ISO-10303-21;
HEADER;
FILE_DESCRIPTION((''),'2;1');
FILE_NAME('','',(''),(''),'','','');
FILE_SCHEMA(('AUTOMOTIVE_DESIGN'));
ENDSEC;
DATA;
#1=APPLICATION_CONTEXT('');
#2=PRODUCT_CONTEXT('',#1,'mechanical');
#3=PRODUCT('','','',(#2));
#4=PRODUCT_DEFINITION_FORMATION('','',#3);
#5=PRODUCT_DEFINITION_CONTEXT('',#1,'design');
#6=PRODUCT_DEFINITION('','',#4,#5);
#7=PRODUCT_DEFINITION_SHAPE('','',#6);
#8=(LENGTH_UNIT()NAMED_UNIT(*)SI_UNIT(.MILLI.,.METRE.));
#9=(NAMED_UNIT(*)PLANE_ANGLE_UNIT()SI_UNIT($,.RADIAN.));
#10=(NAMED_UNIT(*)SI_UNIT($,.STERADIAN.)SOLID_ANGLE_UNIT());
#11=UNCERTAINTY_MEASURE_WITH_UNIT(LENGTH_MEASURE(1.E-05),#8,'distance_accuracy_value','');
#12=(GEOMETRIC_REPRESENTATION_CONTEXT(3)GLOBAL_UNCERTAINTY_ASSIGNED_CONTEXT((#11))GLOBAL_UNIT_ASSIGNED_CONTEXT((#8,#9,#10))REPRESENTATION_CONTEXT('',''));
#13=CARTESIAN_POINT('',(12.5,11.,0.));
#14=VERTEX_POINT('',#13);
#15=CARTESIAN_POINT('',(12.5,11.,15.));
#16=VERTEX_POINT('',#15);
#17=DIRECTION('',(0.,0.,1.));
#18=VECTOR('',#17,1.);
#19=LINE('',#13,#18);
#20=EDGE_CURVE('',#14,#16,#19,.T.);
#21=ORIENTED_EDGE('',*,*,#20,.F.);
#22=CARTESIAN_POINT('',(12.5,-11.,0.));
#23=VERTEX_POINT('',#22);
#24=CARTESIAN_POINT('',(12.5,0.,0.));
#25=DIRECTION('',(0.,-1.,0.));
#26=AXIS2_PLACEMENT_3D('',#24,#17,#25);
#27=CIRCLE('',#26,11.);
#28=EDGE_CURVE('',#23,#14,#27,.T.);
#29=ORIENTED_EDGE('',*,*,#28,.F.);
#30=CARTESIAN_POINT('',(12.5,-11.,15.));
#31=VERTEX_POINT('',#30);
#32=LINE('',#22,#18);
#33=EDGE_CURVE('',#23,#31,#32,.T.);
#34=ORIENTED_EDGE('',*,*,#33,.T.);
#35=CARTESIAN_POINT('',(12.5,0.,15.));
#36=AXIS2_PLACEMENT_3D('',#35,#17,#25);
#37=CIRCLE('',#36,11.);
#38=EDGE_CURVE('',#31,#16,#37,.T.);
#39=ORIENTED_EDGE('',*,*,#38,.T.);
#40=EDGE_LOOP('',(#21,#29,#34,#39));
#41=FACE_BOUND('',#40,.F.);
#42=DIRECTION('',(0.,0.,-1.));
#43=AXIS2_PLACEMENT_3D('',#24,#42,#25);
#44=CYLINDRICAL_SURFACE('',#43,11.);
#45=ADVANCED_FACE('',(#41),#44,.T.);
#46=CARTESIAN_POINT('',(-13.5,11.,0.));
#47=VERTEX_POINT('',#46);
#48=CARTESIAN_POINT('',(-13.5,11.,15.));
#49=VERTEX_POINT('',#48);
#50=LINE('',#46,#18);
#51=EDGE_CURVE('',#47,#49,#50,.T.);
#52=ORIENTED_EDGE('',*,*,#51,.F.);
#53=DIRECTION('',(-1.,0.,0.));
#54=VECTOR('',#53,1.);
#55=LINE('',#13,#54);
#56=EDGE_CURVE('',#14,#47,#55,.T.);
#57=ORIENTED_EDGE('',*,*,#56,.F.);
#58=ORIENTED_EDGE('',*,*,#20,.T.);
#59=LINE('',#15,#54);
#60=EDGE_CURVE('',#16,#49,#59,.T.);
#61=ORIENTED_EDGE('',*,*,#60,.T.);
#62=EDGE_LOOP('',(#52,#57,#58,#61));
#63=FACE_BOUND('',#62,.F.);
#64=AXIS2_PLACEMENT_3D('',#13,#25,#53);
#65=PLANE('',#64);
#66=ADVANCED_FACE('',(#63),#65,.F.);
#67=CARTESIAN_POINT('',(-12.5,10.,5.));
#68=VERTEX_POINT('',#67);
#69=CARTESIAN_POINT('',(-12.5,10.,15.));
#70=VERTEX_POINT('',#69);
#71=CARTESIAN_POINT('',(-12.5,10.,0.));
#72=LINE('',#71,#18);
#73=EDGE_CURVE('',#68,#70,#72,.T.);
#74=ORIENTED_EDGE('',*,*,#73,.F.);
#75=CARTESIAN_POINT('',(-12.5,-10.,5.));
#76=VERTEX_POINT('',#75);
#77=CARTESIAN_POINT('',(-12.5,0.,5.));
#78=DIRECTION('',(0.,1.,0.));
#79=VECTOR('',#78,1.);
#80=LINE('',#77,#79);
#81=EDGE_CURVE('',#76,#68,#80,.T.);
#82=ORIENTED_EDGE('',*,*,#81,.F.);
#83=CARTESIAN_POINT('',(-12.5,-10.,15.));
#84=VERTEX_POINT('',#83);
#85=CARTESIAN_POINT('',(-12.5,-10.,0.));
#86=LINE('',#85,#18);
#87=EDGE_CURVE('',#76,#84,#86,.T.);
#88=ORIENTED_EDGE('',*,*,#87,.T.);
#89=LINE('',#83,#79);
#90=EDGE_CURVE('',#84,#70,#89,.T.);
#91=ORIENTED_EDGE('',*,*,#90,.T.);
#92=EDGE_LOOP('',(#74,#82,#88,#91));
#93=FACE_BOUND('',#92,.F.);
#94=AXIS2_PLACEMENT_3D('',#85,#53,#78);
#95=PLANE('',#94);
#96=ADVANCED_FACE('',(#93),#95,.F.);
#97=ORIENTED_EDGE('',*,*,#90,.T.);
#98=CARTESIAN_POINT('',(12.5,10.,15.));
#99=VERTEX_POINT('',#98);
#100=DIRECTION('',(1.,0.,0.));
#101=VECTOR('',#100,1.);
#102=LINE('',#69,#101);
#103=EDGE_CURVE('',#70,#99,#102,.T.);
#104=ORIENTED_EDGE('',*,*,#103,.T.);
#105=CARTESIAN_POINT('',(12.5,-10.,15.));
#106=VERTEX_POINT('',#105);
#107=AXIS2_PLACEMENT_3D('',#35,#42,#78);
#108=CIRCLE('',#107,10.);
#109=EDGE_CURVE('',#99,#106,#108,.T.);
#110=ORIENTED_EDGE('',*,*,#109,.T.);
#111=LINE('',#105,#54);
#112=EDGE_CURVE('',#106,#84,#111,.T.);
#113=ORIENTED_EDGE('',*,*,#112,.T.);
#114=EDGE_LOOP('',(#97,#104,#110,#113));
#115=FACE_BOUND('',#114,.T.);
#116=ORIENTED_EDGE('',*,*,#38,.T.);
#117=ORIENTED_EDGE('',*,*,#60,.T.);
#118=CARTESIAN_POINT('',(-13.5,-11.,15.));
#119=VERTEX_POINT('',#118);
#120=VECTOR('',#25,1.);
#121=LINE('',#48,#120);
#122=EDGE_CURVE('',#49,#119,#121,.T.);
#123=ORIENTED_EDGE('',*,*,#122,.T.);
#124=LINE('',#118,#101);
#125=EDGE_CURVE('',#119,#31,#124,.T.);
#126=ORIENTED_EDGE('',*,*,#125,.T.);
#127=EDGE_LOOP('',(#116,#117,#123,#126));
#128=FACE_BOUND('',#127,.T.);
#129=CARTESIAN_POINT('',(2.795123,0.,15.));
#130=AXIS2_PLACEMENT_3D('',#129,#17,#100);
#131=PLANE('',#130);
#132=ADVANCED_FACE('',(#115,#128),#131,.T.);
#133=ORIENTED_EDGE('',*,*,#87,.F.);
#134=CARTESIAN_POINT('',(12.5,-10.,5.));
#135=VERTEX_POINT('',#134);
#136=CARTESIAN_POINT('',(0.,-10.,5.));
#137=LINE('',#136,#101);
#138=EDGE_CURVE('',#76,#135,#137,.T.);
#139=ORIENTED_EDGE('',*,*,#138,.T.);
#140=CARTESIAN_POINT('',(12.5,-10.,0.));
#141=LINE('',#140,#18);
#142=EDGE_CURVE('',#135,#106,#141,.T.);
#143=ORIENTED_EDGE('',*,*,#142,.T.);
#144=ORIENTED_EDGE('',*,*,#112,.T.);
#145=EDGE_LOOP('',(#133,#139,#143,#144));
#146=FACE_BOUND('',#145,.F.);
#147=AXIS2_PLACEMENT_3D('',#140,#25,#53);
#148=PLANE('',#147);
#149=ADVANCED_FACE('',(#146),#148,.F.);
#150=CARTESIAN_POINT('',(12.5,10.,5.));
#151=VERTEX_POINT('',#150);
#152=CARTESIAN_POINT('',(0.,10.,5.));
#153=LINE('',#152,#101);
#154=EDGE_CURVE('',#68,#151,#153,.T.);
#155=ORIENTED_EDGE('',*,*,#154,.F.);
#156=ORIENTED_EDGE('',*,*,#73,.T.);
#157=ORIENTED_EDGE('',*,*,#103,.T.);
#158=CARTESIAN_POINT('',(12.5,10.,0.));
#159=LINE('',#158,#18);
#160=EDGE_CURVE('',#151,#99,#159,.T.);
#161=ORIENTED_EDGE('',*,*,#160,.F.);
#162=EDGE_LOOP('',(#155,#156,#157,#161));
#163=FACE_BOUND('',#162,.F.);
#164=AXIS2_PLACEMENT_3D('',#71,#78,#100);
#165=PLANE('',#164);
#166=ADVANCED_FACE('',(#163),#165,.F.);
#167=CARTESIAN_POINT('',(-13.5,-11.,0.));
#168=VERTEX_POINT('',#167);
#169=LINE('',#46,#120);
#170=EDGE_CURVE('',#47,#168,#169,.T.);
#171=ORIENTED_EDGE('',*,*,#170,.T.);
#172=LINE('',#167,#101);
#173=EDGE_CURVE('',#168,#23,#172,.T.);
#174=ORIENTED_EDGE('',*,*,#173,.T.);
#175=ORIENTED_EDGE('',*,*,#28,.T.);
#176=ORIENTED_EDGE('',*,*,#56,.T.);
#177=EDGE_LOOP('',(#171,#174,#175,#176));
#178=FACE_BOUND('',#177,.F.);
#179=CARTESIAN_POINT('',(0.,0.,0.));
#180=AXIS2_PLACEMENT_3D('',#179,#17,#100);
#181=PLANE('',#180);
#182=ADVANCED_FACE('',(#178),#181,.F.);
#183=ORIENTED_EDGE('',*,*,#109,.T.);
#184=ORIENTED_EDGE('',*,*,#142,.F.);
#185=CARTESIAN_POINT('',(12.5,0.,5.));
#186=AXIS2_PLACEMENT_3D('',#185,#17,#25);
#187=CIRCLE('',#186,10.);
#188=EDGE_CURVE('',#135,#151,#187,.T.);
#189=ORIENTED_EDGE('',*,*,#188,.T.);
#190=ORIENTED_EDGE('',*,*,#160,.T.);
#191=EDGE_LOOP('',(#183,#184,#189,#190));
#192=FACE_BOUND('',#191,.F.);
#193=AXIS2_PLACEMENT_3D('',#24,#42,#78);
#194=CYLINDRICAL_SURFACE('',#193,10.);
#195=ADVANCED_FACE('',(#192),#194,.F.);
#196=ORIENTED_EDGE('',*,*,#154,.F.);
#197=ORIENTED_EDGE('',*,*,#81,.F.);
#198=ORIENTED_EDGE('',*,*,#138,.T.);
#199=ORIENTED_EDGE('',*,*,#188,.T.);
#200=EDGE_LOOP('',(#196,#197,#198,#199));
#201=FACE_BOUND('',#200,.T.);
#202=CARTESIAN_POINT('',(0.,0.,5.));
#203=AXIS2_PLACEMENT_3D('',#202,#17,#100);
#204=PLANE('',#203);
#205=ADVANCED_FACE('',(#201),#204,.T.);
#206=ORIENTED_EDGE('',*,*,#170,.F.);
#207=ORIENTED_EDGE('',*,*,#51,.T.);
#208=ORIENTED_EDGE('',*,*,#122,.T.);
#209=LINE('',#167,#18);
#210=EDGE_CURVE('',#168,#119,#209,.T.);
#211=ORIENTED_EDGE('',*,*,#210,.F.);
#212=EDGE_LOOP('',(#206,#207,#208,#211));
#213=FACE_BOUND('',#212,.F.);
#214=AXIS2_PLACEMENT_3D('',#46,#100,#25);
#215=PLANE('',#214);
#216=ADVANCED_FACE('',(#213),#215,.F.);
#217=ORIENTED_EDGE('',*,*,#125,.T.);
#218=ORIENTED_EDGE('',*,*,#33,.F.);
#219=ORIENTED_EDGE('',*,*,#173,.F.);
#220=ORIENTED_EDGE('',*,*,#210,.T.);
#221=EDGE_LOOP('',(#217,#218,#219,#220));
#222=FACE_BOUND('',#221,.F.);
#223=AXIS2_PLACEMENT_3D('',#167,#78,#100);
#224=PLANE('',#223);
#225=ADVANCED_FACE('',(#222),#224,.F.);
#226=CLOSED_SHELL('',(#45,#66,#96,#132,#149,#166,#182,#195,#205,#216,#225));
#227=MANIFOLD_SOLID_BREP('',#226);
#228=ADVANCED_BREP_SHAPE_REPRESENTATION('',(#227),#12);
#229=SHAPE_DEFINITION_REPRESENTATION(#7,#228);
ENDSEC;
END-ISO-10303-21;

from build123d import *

# Parameters (mm, degrees)
F1_DEPTH = 15
F0_W     = 25
F0_H     = 20
F2_DEPTH = 5


with BuildPart() as f1:
    # F0 (on Top) → F1 (new body)
    with BuildSketch(Plane.XY):
        with BuildLine():
            ThreePointArc((12.5, -11), (23.5, 0), (12.5, 11))
            Line((12.5, 11), (-13.5, 11))
            Line((-13.5, 11), (-13.5, -11))
            Line((-13.5, -11), (12.5, -11))
        make_face()
        with BuildLine():
            Line((-12.5, 10), (12.5, 10))
            ThreePointArc((12.5, 10), (22.5, 0), (12.5, -10))
            Line((12.5, -10), (-12.5, -10))
            Line((-12.5, -10), (-12.5, 10))
        make_face(mode=Mode.SUBTRACT)
    extrude(amount=F1_DEPTH)

    # F0 (on Top) → F2 (join)
    with BuildSketch(Plane.XY):
        Rectangle(F0_W, F0_H)
        with BuildLine():
            ThreePointArc((12.5, -10), (22.5, 0), (12.5, 10))
            Line((12.5, 10), (12.5, -10))
        make_face()
    extrude(amount=F2_DEPTH)


solid = f1.part
